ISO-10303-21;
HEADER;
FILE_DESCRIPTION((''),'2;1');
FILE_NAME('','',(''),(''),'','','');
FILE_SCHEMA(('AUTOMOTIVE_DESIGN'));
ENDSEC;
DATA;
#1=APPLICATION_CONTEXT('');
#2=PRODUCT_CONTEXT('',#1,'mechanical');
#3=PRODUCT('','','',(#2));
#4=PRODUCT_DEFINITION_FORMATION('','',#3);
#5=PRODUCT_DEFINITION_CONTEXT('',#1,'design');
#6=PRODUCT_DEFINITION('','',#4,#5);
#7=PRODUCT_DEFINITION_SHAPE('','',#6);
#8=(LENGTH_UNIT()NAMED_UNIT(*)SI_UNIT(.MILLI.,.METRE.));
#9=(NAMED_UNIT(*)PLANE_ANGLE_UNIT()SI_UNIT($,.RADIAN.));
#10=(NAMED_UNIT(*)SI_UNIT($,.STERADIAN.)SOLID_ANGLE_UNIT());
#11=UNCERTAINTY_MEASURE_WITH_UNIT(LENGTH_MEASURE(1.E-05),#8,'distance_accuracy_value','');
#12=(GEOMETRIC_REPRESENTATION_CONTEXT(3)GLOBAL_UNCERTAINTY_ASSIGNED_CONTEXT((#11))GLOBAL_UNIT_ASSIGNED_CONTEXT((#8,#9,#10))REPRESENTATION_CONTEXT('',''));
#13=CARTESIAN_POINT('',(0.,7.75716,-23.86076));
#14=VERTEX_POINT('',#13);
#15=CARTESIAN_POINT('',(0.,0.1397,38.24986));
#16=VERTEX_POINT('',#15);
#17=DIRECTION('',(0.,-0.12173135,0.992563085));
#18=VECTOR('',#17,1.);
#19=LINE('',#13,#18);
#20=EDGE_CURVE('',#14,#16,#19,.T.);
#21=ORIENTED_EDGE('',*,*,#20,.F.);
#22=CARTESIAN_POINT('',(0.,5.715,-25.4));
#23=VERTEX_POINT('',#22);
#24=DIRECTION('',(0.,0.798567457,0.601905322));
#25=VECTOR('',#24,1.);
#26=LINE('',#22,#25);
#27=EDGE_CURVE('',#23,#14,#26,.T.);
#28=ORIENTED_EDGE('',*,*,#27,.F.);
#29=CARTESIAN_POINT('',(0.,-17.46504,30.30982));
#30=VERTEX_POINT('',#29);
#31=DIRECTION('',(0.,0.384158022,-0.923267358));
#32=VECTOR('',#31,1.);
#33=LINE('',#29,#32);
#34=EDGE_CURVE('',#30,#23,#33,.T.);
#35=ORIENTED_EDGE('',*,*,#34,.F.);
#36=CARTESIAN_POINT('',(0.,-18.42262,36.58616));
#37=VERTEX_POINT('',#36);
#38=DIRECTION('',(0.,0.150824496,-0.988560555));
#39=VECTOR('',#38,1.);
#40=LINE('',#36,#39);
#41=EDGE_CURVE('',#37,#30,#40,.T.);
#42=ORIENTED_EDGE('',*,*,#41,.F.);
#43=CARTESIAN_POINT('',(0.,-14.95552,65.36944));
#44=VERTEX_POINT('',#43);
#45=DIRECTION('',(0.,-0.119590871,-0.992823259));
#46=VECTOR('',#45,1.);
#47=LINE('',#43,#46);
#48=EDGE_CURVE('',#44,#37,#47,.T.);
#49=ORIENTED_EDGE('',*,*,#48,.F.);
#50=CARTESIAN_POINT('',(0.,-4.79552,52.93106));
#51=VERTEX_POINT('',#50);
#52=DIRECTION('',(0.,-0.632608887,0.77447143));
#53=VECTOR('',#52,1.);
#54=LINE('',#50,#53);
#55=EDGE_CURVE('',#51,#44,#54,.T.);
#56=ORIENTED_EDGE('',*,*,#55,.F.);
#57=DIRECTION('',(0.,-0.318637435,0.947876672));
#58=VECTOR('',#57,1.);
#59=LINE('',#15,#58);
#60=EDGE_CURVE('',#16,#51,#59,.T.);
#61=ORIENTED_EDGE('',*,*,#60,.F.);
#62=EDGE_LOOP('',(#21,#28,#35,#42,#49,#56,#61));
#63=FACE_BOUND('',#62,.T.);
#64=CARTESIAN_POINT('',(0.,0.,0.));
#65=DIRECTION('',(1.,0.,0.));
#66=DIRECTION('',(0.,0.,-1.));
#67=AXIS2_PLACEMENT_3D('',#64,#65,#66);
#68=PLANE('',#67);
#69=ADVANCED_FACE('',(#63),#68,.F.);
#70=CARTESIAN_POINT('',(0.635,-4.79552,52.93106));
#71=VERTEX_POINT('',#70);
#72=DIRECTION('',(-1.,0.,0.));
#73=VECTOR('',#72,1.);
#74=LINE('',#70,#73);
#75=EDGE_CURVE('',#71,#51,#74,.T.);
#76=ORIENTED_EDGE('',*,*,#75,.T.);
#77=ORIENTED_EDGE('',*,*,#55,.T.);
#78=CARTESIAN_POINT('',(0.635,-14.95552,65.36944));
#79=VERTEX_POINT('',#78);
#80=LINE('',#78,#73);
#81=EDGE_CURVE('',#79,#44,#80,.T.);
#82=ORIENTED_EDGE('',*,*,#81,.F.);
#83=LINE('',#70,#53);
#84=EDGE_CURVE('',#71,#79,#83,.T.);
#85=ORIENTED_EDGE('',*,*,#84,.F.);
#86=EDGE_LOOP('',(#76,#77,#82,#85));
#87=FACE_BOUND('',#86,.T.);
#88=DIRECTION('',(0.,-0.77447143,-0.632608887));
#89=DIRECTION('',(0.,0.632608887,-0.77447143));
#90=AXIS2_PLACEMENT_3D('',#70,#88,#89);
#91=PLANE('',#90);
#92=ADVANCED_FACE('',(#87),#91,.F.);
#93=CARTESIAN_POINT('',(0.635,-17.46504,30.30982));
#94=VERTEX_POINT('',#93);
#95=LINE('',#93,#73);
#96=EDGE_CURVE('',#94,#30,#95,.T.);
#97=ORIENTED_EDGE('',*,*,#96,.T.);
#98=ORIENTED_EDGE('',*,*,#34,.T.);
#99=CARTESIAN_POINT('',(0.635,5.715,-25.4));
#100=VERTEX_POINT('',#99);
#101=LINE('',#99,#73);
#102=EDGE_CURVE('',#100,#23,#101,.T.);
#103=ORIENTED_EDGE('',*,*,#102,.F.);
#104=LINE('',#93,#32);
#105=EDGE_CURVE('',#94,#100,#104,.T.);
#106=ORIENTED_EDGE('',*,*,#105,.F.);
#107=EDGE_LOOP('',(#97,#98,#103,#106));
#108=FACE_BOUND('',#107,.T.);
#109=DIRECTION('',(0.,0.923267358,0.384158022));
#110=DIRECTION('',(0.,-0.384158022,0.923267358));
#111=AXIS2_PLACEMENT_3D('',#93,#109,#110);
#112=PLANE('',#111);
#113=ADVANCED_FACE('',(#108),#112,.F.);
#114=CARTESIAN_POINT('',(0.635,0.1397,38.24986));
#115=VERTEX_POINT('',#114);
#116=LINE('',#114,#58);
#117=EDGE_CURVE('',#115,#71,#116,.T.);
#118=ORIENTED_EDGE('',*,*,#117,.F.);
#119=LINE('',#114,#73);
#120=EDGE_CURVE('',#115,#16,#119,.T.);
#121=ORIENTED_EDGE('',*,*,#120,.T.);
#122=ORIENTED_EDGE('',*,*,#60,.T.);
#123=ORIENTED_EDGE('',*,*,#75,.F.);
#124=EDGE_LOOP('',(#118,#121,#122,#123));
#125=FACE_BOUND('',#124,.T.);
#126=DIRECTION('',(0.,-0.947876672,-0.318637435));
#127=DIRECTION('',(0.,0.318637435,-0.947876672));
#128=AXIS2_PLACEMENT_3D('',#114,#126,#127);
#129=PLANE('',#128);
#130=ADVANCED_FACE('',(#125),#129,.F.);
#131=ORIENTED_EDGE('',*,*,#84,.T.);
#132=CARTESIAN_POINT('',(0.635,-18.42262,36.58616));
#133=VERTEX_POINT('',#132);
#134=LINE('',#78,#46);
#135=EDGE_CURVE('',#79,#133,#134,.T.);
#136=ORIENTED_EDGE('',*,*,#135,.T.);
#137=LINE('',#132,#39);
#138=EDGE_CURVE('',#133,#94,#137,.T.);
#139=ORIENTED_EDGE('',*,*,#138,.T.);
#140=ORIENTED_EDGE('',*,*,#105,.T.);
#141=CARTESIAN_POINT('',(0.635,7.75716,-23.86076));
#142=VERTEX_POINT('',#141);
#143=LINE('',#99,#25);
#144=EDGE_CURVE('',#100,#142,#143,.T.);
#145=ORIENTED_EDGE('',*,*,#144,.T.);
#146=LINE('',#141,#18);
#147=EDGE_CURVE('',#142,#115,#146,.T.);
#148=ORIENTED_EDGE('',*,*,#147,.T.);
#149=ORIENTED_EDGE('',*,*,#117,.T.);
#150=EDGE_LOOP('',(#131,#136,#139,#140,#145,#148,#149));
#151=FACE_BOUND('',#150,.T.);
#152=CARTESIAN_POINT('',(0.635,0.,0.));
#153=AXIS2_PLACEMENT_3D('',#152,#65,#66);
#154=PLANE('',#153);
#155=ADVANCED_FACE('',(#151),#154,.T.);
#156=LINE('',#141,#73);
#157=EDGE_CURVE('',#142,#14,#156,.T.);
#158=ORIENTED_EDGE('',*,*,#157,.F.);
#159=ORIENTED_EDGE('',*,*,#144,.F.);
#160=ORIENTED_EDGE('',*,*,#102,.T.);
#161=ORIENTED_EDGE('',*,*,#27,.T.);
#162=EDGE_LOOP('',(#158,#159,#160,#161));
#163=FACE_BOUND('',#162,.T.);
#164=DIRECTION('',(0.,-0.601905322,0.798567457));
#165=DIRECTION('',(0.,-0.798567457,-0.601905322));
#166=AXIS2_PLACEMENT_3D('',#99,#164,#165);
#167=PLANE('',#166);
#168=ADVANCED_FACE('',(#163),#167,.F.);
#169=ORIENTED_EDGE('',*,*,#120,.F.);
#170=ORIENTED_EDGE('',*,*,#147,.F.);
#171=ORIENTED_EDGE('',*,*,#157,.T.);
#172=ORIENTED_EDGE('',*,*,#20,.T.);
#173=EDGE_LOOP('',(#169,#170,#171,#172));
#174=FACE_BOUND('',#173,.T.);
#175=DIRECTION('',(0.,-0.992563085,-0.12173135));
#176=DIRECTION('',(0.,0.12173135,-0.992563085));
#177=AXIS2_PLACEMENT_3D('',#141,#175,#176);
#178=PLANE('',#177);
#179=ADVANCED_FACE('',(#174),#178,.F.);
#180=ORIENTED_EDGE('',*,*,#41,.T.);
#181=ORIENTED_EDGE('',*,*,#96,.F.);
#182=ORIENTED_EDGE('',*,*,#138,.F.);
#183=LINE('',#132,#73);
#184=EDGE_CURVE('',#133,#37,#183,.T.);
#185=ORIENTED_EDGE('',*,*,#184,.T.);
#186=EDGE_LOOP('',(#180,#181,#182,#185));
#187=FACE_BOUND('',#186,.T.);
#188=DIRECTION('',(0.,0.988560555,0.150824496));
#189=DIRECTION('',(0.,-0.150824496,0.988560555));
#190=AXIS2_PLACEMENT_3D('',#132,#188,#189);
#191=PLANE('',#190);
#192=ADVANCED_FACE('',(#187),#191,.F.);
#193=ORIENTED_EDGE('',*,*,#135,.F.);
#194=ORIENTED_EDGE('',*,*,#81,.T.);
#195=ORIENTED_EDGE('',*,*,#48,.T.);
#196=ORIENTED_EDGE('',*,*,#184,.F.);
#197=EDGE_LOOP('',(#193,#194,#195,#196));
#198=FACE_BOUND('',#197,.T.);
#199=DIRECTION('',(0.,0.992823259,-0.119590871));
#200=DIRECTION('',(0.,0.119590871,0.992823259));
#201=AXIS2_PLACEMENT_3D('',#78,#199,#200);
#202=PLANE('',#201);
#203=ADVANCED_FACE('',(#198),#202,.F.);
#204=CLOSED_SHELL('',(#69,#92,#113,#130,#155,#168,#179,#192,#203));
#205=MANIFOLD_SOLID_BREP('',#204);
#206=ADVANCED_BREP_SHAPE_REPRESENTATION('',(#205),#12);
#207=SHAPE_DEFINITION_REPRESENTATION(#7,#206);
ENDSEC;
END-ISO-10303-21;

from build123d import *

# Parameters (mm, degrees)
BOSS_EXTRUDE1_DEPTH = 0.635


with BuildPart() as part:
    # Sketch1 → Boss-Extrude1 (new body)
    with BuildSketch(Plane(origin=(0, 0, 0), x_dir=(0, 0, -1), z_dir=(1, 0, 0))):
        Polygon((25.4, 5.715), (23.86076, 7.75716), (-38.24986, 0.1397), (-52.93106, -4.79552), (-65.36944, -14.95552), (-36.58616, -18.42262), (-30.30982, -17.46504), align=None)
    extrude(amount=BOSS_EXTRUDE1_DEPTH)


solid = part.part
